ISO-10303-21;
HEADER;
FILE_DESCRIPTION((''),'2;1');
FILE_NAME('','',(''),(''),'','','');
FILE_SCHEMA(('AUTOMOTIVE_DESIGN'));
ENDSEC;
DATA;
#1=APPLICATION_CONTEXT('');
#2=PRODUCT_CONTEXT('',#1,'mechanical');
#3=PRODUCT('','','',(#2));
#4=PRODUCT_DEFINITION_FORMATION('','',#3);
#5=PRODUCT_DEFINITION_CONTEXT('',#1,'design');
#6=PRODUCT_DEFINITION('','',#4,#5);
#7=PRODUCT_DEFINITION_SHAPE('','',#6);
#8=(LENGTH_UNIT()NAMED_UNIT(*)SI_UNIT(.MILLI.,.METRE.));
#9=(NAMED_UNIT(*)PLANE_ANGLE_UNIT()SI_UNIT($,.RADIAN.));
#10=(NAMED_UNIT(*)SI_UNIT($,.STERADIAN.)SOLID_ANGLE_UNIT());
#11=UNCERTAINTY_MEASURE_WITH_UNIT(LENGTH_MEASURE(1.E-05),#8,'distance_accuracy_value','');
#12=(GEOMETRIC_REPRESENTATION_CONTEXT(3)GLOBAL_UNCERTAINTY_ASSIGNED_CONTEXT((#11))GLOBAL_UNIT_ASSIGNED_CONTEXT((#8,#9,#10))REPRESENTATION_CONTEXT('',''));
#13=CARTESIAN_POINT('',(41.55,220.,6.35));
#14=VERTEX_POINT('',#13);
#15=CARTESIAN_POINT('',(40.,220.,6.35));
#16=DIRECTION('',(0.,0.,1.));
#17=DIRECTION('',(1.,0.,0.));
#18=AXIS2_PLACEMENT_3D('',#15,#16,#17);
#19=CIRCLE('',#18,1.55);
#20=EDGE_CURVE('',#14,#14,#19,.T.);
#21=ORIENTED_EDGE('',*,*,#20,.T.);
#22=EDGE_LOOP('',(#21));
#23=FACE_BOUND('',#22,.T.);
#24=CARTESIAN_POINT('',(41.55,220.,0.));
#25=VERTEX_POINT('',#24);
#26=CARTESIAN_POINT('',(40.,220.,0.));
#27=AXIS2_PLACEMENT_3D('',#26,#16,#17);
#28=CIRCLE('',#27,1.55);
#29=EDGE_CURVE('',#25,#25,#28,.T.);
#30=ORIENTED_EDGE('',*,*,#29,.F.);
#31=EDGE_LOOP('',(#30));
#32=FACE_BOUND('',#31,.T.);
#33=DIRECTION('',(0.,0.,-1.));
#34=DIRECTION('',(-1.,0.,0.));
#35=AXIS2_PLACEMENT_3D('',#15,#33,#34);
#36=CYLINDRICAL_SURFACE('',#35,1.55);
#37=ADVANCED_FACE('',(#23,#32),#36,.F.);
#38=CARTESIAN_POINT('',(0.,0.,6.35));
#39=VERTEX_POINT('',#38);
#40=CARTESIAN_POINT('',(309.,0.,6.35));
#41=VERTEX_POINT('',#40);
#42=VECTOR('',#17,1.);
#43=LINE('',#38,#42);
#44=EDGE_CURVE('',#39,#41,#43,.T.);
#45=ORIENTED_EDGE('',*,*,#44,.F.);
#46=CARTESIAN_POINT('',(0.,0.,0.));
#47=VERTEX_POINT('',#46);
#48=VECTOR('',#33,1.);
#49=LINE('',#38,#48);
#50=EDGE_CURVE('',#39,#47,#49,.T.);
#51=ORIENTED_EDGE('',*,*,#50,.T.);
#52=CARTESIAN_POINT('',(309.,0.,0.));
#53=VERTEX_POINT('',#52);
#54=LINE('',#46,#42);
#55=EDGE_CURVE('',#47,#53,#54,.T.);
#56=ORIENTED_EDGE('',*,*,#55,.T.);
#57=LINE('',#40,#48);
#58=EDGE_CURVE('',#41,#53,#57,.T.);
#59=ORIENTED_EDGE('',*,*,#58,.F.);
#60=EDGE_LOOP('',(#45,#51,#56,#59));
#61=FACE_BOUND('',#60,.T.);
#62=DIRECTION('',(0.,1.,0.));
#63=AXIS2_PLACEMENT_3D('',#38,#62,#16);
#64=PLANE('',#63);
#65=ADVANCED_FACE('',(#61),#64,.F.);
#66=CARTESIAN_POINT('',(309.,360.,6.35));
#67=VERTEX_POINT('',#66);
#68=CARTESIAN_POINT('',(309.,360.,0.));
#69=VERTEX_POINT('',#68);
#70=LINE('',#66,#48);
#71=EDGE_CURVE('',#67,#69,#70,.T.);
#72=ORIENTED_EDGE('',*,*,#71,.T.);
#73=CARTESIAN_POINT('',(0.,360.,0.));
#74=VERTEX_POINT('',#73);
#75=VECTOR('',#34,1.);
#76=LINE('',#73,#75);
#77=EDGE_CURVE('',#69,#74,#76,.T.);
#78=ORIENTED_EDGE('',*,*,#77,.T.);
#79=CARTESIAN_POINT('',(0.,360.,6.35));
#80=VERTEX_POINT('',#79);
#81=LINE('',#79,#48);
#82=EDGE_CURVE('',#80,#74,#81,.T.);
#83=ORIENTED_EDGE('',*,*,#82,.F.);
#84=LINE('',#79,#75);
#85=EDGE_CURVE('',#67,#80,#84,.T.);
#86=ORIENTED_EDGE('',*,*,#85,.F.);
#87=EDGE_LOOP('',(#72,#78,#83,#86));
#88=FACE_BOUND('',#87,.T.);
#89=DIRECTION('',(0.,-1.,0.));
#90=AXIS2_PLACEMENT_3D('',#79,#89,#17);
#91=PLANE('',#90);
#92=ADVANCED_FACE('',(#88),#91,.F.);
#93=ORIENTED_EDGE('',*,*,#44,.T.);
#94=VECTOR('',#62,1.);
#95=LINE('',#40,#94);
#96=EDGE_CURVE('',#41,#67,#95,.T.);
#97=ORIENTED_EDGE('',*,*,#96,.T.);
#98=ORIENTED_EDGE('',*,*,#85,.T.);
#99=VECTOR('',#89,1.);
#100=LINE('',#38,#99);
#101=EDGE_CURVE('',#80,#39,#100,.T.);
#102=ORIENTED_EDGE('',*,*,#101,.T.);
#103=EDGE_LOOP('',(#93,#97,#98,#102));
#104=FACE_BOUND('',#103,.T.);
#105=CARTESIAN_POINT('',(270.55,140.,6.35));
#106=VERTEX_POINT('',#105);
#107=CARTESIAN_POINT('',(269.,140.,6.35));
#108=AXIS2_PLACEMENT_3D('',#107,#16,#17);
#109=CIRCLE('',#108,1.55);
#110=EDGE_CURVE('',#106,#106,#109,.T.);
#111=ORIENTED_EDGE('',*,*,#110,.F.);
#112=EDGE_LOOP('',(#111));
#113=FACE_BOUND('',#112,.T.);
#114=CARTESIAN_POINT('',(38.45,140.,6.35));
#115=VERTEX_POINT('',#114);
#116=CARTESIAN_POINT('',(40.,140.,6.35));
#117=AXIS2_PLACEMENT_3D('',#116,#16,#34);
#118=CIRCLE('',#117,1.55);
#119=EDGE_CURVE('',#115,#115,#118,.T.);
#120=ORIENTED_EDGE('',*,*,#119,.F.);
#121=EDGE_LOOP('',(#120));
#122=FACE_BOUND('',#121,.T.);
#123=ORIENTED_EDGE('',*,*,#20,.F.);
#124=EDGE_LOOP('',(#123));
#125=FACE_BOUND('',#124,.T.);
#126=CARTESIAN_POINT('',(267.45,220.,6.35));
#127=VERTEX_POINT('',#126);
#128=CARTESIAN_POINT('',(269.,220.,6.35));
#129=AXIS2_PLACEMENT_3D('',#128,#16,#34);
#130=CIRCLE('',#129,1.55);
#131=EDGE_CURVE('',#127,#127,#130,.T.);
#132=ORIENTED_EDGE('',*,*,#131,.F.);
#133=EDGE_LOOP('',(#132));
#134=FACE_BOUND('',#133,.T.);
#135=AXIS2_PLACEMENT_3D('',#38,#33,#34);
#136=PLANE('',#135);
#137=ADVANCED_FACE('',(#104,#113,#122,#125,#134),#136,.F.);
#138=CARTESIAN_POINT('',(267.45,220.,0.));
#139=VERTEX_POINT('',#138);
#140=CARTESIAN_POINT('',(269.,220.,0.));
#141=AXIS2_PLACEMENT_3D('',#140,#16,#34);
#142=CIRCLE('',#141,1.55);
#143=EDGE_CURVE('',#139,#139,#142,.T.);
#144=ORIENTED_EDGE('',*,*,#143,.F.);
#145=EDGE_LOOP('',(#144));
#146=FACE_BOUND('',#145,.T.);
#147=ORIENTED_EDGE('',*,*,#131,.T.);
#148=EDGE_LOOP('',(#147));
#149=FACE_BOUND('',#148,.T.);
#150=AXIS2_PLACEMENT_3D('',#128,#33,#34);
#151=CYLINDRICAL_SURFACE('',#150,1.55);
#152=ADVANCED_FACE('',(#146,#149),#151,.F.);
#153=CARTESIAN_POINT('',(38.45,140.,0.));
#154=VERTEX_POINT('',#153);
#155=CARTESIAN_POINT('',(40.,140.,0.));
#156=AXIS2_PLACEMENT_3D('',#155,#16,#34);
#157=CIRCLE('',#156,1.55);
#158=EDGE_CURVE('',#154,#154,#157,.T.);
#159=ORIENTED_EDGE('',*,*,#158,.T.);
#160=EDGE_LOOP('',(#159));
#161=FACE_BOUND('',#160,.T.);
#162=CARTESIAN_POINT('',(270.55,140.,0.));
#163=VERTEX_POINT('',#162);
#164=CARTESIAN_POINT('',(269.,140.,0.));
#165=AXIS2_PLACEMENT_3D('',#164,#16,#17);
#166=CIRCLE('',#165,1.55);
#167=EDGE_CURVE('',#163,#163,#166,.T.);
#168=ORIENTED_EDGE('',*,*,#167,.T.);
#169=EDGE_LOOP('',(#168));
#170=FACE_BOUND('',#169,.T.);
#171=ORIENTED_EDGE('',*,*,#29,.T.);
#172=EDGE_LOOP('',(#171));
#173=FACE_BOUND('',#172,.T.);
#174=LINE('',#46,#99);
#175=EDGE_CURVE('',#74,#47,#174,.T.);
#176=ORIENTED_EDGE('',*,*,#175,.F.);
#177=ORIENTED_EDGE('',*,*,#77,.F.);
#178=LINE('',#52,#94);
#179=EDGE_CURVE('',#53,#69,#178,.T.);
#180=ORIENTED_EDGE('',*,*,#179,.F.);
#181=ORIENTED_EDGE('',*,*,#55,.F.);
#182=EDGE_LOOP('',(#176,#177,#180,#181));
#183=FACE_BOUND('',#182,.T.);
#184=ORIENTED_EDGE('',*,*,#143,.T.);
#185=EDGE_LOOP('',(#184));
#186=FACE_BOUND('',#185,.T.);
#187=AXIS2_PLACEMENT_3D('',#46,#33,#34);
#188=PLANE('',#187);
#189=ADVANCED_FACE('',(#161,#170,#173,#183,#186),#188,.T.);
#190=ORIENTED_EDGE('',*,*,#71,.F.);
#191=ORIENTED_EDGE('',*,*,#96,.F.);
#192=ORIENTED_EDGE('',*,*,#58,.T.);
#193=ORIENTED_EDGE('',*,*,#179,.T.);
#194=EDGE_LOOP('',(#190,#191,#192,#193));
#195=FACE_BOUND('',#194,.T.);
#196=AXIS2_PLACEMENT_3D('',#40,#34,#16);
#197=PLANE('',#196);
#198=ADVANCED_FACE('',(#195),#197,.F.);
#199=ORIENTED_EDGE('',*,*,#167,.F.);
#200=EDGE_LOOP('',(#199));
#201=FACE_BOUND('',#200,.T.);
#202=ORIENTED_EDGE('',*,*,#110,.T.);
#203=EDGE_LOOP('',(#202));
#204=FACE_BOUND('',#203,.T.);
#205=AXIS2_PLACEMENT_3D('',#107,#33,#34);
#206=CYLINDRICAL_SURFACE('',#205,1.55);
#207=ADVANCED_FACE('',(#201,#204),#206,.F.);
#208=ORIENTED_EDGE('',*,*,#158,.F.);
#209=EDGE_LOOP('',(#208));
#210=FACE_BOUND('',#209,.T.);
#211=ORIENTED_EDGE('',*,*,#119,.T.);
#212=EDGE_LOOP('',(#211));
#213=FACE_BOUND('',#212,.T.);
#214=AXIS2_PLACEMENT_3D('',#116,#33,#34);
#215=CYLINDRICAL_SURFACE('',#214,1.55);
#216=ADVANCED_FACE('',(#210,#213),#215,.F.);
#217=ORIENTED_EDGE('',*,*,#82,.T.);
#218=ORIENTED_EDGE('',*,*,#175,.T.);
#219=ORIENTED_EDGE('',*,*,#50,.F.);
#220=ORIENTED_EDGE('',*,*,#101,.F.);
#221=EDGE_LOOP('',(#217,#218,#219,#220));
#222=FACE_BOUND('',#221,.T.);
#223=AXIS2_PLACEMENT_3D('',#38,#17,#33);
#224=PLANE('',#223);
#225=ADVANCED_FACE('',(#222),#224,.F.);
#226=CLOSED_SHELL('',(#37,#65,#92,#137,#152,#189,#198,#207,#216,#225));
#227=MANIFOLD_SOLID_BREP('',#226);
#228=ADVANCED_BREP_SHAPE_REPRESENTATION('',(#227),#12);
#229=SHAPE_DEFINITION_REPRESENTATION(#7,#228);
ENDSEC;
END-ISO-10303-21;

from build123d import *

# Parameters (mm, degrees)
SKETCH1_W           = 309
SKETCH1_H           = 360
SKETCH1_R           = 1.55
BOSS_EXTRUDE1_DEPTH = 6.35


with BuildPart() as part:
    # Sketch1 → Boss-Extrude1 (new body)
    with BuildSketch(Plane.XY):
        with Locations((154.5, 180)):
            Rectangle(SKETCH1_W, SKETCH1_H)
        with Locations((40, 220)):
            Circle(SKETCH1_R, mode=Mode.SUBTRACT)
        with Locations((40, 140)):
            Circle(SKETCH1_R, mode=Mode.SUBTRACT)
        with Locations((269, 140)):
            Circle(SKETCH1_R, mode=Mode.SUBTRACT)
        with Locations((269, 220)):
            Circle(SKETCH1_R, mode=Mode.SUBTRACT)
    extrude(amount=BOSS_EXTRUDE1_DEPTH)


solid = part.part
